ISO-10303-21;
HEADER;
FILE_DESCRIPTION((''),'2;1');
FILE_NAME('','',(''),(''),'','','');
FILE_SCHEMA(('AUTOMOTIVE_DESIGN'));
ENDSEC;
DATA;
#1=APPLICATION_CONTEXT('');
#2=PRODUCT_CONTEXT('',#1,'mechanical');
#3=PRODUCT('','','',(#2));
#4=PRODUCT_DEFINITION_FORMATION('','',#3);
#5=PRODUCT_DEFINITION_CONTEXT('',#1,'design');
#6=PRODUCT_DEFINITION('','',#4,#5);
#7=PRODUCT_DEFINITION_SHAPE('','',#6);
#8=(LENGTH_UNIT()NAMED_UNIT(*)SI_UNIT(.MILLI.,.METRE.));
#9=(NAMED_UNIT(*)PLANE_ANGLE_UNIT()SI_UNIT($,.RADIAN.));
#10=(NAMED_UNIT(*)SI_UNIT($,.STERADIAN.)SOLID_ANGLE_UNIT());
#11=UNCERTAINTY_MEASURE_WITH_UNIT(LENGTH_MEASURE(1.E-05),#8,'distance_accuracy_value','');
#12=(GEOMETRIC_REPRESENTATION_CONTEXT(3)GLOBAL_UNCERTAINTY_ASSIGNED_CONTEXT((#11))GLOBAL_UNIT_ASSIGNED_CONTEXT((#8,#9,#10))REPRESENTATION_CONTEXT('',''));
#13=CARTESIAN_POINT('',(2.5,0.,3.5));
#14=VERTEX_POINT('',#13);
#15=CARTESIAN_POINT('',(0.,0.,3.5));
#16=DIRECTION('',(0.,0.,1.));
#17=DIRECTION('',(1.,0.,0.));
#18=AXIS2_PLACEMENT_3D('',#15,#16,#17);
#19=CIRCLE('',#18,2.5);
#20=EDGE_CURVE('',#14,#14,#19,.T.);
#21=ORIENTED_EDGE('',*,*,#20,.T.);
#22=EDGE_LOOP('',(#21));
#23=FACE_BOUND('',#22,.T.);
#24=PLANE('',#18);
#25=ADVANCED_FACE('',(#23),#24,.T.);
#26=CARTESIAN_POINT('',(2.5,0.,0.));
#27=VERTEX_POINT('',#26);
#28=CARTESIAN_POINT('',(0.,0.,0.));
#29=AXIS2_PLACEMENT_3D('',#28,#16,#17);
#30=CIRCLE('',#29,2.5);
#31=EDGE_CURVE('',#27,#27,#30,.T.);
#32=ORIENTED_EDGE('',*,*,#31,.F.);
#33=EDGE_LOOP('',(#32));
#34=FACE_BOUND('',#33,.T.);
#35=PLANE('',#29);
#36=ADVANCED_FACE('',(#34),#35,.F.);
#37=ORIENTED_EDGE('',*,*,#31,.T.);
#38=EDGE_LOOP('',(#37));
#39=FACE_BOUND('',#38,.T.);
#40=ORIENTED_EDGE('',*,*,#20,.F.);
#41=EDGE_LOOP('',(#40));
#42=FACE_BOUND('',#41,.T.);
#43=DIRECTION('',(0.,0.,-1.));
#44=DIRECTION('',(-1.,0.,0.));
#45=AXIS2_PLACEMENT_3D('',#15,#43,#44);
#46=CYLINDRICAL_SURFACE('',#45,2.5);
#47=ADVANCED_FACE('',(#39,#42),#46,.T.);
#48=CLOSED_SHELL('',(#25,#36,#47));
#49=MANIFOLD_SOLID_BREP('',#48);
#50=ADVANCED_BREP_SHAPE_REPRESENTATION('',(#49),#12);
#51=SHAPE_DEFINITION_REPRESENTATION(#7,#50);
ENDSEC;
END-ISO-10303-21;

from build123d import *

# Parameters (mm, degrees)
SKETCH1_R           = 2.5
BOSS_EXTRUDE1_DEPTH = 3.5


with BuildPart() as part:
    # Sketch1 → Boss-Extrude1 (new body)
    with BuildSketch(Plane.XY):
        Circle(SKETCH1_R)
    extrude(amount=BOSS_EXTRUDE1_DEPTH)


solid = part.part
